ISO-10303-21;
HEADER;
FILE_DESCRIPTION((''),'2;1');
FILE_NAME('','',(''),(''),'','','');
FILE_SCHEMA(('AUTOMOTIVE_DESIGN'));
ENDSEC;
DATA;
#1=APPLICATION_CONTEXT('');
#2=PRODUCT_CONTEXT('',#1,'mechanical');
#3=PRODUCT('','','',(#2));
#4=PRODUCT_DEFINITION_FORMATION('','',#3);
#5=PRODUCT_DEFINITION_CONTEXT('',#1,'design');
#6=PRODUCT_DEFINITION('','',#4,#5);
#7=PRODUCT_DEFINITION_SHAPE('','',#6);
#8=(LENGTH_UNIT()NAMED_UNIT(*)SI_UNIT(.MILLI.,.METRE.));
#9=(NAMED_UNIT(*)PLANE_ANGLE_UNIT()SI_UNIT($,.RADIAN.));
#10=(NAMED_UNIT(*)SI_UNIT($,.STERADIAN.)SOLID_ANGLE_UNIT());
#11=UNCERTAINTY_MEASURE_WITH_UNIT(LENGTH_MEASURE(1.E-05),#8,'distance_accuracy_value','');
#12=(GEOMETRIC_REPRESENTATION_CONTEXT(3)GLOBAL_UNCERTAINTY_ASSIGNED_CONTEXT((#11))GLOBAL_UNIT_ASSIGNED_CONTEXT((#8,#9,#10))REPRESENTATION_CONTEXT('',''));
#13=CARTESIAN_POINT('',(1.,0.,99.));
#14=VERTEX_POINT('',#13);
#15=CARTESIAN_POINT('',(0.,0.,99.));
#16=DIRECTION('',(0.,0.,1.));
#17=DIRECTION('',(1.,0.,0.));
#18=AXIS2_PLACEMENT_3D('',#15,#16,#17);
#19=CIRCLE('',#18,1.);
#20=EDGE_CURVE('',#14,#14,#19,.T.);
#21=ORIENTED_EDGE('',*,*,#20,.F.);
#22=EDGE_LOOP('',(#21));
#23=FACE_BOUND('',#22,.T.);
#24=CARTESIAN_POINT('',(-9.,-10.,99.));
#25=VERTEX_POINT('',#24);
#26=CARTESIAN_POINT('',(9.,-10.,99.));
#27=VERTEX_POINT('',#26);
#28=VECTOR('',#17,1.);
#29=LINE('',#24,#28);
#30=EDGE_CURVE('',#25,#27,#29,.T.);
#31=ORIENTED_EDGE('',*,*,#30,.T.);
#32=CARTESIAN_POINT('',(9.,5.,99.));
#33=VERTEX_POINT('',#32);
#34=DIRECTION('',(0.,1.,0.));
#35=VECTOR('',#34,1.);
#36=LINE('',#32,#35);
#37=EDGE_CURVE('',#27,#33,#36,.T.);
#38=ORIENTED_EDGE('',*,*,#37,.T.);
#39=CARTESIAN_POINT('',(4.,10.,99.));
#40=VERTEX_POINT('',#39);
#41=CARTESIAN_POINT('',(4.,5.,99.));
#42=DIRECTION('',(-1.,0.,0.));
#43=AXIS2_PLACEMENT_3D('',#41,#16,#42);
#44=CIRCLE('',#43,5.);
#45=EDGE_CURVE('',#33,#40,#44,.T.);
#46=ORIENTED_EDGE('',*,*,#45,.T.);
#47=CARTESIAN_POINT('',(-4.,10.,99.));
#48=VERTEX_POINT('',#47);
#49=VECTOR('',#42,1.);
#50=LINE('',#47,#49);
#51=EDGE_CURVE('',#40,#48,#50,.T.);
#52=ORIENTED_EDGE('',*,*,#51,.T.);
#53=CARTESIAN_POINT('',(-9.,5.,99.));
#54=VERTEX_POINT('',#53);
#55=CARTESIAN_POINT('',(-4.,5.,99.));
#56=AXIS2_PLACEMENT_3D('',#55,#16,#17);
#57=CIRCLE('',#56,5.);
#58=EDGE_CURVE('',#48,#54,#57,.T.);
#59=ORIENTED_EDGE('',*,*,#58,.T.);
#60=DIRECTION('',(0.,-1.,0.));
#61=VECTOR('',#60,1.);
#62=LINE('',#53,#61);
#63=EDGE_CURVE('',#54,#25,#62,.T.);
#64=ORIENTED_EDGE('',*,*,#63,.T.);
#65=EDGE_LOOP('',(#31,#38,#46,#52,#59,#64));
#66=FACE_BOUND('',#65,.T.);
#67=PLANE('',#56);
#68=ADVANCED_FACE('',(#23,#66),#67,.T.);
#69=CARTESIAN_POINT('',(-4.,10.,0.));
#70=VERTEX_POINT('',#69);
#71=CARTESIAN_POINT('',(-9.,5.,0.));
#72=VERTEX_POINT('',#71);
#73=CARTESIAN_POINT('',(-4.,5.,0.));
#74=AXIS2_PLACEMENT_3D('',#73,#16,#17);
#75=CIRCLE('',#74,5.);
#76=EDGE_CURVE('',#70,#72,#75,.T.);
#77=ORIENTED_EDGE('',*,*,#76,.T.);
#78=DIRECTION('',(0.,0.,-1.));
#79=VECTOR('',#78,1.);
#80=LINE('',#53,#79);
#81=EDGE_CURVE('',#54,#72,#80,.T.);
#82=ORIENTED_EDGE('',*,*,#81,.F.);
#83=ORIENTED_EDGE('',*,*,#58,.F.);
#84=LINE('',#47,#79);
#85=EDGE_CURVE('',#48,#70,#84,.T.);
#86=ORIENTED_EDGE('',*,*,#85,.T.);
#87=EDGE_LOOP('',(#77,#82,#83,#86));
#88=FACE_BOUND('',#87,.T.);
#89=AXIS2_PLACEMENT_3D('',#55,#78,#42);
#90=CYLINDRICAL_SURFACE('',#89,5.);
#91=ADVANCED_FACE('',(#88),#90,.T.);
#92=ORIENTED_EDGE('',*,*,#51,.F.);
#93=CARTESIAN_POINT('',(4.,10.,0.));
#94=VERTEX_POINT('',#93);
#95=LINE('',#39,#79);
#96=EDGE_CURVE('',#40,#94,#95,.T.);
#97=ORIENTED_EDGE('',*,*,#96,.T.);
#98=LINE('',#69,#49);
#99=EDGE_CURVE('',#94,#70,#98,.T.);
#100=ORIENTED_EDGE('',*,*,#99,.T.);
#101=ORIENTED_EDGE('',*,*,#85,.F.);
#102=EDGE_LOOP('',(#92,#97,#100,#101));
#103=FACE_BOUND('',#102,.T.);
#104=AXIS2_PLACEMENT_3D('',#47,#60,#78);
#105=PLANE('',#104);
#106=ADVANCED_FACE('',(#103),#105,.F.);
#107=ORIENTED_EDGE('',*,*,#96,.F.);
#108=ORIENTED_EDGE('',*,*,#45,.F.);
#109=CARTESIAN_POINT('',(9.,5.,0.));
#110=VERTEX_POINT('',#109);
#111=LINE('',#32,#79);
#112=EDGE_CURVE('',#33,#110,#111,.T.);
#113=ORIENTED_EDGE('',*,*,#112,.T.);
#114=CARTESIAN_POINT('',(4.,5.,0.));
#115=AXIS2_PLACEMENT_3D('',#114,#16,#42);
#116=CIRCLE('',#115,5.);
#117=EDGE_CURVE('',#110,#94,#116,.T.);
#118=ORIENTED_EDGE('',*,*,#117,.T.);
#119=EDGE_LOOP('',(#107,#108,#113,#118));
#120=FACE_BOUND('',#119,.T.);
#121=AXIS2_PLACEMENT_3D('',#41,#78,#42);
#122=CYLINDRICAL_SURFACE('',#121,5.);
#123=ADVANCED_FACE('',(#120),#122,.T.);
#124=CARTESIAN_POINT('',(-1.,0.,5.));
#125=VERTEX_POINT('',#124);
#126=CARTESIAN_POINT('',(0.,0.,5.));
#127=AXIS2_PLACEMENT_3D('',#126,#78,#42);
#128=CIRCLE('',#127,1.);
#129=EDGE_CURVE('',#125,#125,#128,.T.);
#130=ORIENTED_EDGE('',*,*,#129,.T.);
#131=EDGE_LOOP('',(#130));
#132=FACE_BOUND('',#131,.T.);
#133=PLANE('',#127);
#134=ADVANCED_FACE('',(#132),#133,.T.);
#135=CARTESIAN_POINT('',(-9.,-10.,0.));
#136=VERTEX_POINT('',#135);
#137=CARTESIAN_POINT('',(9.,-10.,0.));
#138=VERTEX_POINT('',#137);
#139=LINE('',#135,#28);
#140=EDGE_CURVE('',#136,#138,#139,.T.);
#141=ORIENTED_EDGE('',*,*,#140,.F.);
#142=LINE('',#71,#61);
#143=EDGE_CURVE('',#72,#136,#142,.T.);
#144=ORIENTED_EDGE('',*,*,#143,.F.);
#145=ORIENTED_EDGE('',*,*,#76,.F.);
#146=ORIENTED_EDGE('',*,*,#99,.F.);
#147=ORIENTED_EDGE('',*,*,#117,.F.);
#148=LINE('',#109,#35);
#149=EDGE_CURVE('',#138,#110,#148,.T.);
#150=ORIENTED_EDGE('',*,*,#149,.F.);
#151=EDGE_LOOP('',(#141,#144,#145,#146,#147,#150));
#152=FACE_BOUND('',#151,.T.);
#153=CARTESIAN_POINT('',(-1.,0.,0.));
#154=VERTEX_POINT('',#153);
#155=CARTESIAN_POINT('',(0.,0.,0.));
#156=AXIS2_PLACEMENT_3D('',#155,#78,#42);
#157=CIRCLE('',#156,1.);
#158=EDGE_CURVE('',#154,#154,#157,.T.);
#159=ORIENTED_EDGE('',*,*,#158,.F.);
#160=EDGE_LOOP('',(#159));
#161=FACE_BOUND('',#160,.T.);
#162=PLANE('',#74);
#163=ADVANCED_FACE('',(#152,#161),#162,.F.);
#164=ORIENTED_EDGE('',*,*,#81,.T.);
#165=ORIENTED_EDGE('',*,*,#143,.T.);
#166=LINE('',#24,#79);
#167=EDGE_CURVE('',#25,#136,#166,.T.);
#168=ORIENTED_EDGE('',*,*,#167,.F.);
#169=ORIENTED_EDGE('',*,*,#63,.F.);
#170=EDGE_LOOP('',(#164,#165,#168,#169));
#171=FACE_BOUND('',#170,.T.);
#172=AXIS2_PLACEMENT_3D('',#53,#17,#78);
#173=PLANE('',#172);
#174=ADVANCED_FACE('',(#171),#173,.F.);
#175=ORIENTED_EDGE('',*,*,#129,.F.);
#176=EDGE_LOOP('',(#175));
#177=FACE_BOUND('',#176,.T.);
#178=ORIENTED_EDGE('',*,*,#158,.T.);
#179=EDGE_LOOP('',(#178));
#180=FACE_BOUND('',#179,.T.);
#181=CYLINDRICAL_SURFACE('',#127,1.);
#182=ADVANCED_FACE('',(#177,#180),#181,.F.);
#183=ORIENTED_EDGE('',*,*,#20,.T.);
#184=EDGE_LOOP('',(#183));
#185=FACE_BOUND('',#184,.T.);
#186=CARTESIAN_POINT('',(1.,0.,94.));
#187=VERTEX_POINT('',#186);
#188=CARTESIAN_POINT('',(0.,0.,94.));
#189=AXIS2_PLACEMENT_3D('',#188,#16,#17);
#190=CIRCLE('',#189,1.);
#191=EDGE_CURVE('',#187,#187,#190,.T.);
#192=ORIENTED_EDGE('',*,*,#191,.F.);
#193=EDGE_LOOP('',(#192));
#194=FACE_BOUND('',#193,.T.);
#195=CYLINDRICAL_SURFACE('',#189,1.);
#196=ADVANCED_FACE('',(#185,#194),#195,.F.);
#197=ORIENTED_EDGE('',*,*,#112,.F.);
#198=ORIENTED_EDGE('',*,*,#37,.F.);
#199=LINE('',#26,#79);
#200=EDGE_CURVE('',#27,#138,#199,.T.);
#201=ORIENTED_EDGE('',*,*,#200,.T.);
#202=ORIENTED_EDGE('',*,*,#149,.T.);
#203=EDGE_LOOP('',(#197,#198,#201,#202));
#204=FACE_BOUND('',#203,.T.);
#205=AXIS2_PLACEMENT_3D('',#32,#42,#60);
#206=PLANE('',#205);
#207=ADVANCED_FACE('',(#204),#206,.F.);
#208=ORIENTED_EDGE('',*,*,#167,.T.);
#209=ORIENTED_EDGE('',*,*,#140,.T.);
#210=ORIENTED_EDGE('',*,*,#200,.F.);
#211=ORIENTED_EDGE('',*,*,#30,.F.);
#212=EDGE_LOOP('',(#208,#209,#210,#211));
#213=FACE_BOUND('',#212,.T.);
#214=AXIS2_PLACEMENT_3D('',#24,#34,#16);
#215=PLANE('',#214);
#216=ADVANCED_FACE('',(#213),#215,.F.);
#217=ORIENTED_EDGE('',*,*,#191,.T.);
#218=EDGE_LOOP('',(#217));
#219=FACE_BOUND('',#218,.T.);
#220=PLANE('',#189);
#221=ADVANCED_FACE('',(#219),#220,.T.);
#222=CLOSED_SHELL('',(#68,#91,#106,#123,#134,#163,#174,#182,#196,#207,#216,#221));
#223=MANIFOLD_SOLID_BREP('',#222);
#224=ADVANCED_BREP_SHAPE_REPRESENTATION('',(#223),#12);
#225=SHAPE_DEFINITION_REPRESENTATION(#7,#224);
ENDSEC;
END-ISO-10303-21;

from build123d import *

# Parameters (mm, degrees)
EXTRUDE_1_DEPTH     = 99
SKETCH_2_R          = 1
CUT_EXTRUDE_1_DEPTH = 5
CUT_EXTRUDE_START   = -5
SKETCH_3_R          = 1
CUT_EXTRUDE_2_DEPTH = 5


with BuildPart() as part:
    # 草图1 → 凸台-拉伸1 (new body)
    with BuildSketch(Plane.XY):
        with BuildLine():
            Line((-4, 10), (4, 10))
            ThreePointArc((4, 10), (7.535533906, 8.535533906), (9, 5))
            Line((9, 5), (9, -10))
            Line((9, -10), (-9, -10))
            Line((-9, -10), (-9, 5))
            ThreePointArc((-9, 5), (-7.535533906, 8.535533906), (-4, 10))
        make_face()
    extrude(amount=EXTRUDE_1_DEPTH)

    # 草图2 → 切除-拉伸1 (cut)
    with BuildSketch(Plane.XY.offset(99)):
        Circle(SKETCH_2_R)
    extrude(amount=-CUT_EXTRUDE_1_DEPTH, mode=Mode.SUBTRACT)

    # 草图3 → 切除-拉伸2 (cut)
    with BuildSketch(Plane(origin=(0, 0, 0), x_dir=(-1, 0, 0), z_dir=(0, 0, -1)).offset(CUT_EXTRUDE_START)):
        with Locations(Location((0, 0, 0), (0, 0, 180))):
            Circle(SKETCH_3_R)
    extrude(amount=CUT_EXTRUDE_2_DEPTH, mode=Mode.SUBTRACT)


solid = part.part
